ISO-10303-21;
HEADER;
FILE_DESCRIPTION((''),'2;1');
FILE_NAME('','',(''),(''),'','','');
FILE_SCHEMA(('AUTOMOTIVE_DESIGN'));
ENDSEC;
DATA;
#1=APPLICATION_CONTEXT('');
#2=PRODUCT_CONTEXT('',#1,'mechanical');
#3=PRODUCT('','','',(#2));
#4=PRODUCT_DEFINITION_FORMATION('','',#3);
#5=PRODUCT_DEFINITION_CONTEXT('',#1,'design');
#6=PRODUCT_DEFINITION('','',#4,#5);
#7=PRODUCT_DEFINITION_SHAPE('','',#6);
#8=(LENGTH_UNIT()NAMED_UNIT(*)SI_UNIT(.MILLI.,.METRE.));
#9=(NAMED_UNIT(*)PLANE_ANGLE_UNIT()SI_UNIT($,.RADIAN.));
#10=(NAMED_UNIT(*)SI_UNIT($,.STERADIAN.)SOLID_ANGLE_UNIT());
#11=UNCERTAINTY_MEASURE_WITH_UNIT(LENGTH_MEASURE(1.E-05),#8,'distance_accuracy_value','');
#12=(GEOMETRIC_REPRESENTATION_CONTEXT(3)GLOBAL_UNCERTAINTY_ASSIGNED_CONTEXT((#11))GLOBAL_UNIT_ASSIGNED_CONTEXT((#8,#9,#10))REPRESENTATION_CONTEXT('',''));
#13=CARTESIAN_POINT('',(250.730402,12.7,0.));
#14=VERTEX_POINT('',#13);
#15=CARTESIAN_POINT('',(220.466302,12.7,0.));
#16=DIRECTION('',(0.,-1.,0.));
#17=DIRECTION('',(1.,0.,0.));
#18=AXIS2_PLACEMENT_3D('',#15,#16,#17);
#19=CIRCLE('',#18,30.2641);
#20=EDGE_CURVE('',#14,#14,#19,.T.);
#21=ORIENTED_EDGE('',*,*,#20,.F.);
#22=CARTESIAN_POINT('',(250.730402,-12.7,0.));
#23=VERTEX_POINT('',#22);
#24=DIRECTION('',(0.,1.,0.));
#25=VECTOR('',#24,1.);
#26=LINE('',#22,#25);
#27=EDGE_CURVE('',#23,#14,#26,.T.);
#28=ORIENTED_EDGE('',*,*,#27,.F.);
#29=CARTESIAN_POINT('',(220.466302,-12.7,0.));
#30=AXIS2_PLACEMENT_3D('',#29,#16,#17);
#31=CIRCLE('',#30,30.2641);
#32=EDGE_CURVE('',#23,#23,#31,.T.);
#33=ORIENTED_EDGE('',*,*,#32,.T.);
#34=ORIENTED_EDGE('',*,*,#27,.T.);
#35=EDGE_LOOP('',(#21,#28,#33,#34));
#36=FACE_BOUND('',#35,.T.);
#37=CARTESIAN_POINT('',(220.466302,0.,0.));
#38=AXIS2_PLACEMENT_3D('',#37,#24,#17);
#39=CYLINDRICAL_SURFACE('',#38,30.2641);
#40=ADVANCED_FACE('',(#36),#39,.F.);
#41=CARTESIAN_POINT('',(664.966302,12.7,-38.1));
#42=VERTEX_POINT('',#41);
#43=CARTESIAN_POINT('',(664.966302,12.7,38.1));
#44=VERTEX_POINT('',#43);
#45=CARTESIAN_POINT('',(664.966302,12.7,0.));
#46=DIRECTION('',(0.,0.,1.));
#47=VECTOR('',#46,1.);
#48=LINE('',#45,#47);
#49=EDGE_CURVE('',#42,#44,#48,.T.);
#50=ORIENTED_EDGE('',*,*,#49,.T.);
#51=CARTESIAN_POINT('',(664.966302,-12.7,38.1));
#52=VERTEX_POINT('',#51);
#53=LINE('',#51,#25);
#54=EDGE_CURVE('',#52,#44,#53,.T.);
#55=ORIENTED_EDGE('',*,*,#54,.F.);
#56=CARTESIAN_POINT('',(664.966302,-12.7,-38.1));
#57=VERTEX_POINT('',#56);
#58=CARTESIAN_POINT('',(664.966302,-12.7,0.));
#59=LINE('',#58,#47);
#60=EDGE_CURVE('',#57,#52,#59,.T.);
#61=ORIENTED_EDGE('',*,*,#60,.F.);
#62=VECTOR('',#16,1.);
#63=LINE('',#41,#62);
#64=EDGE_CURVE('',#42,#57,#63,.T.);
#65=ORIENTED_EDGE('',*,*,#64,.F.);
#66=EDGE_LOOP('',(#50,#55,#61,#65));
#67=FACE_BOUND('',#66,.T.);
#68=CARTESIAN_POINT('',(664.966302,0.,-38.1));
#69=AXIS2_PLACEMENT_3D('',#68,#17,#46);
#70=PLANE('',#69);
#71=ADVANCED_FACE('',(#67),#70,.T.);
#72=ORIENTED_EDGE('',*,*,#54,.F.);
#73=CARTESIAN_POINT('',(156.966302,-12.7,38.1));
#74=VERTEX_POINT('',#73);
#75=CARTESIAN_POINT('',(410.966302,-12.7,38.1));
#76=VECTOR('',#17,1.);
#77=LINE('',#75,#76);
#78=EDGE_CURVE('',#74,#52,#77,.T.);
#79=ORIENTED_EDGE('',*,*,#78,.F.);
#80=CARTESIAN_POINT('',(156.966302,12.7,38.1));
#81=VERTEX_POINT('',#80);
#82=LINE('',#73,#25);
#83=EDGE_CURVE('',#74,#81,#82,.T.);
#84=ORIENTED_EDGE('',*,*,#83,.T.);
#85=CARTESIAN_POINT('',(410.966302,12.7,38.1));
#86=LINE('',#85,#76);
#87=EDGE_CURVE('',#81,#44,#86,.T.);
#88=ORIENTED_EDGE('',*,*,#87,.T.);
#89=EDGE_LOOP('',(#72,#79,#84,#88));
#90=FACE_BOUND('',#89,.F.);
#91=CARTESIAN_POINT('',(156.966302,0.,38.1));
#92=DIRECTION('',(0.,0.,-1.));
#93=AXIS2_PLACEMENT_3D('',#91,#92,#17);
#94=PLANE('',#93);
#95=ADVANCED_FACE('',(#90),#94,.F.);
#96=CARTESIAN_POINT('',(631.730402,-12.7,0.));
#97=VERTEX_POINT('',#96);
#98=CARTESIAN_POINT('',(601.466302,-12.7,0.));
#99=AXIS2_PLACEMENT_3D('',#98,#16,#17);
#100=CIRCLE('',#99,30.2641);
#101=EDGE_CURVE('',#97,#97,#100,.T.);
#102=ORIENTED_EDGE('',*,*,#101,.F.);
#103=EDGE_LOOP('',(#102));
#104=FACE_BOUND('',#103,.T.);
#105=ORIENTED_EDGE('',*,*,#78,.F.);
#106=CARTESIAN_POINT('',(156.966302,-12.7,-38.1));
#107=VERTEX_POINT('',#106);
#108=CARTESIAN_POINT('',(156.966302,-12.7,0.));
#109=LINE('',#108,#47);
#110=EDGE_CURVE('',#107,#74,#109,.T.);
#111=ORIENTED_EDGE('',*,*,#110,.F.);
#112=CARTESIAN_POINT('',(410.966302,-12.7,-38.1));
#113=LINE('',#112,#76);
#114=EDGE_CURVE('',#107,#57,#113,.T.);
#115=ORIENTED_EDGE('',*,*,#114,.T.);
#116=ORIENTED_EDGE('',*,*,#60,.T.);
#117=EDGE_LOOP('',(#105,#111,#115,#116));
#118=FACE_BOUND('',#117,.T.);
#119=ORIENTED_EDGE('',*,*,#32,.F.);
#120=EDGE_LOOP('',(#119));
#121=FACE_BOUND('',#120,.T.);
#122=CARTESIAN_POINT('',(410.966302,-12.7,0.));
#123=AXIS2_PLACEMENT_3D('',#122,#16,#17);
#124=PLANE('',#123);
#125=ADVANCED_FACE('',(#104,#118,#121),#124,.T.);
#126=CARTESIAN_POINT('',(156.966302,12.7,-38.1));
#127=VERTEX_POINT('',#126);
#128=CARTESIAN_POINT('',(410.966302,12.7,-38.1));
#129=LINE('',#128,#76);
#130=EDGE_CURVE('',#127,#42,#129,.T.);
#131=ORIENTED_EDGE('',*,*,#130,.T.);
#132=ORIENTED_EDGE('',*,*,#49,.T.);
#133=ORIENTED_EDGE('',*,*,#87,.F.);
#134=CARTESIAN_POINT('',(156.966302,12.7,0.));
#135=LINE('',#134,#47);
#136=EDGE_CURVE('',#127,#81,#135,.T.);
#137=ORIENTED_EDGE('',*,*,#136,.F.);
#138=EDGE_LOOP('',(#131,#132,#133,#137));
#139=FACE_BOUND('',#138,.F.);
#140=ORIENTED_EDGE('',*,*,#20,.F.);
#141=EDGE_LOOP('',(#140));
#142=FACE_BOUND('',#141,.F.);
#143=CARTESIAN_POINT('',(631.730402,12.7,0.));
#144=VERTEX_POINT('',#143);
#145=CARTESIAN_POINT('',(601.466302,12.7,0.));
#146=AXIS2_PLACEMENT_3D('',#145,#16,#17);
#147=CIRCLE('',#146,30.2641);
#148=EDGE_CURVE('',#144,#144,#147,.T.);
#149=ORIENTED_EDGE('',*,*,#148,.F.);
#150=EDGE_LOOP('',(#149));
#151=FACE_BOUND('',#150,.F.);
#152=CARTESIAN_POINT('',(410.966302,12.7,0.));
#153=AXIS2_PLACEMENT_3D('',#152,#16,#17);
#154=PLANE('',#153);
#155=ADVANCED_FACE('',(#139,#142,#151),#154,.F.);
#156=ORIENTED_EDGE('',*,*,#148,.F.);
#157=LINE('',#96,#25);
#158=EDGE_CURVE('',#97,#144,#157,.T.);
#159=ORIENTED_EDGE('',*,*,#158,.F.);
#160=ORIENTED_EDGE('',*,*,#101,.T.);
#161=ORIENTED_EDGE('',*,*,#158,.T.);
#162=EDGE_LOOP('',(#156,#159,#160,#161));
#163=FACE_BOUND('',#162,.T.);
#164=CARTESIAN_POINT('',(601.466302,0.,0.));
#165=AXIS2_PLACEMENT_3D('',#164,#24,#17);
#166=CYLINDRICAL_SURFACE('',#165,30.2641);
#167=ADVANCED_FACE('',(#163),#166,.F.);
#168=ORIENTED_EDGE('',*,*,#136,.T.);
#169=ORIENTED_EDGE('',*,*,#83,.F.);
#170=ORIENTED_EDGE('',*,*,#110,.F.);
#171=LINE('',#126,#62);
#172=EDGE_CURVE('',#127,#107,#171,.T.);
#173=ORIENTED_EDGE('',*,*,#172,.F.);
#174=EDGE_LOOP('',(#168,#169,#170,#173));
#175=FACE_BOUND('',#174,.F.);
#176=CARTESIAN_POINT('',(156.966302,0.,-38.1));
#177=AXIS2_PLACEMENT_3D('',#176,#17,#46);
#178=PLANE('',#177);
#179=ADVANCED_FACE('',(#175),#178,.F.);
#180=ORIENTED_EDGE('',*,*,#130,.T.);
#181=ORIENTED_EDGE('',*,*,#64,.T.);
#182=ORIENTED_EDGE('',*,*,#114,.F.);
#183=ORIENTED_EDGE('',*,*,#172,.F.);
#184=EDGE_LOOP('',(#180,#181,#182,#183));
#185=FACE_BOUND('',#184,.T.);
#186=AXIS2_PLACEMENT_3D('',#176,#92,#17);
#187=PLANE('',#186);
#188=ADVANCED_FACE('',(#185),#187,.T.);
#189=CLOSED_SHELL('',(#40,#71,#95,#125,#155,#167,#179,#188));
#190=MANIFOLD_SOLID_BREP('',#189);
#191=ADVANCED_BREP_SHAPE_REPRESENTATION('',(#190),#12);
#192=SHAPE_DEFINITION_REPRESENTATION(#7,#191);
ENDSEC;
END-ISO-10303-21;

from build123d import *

# Parameters (mm, degrees)
F0_W     = 508
F0_H     = 76.2
F0_R     = 30.2641
F1_DEPTH = 12.7


with BuildPart() as f1:
    # F0 (on Front) → F1 (new body, symmetric)
    with BuildSketch(Plane.XZ):
        with Locations((410.966302, 0)):
            Rectangle(F0_W, F0_H)
        with Locations((220.466302, 0)):
            Circle(F0_R, mode=Mode.SUBTRACT)
        with Locations((601.466302, 0)):
            Circle(F0_R, mode=Mode.SUBTRACT)
    extrude(amount=F1_DEPTH, both=True)


solid = f1.part
